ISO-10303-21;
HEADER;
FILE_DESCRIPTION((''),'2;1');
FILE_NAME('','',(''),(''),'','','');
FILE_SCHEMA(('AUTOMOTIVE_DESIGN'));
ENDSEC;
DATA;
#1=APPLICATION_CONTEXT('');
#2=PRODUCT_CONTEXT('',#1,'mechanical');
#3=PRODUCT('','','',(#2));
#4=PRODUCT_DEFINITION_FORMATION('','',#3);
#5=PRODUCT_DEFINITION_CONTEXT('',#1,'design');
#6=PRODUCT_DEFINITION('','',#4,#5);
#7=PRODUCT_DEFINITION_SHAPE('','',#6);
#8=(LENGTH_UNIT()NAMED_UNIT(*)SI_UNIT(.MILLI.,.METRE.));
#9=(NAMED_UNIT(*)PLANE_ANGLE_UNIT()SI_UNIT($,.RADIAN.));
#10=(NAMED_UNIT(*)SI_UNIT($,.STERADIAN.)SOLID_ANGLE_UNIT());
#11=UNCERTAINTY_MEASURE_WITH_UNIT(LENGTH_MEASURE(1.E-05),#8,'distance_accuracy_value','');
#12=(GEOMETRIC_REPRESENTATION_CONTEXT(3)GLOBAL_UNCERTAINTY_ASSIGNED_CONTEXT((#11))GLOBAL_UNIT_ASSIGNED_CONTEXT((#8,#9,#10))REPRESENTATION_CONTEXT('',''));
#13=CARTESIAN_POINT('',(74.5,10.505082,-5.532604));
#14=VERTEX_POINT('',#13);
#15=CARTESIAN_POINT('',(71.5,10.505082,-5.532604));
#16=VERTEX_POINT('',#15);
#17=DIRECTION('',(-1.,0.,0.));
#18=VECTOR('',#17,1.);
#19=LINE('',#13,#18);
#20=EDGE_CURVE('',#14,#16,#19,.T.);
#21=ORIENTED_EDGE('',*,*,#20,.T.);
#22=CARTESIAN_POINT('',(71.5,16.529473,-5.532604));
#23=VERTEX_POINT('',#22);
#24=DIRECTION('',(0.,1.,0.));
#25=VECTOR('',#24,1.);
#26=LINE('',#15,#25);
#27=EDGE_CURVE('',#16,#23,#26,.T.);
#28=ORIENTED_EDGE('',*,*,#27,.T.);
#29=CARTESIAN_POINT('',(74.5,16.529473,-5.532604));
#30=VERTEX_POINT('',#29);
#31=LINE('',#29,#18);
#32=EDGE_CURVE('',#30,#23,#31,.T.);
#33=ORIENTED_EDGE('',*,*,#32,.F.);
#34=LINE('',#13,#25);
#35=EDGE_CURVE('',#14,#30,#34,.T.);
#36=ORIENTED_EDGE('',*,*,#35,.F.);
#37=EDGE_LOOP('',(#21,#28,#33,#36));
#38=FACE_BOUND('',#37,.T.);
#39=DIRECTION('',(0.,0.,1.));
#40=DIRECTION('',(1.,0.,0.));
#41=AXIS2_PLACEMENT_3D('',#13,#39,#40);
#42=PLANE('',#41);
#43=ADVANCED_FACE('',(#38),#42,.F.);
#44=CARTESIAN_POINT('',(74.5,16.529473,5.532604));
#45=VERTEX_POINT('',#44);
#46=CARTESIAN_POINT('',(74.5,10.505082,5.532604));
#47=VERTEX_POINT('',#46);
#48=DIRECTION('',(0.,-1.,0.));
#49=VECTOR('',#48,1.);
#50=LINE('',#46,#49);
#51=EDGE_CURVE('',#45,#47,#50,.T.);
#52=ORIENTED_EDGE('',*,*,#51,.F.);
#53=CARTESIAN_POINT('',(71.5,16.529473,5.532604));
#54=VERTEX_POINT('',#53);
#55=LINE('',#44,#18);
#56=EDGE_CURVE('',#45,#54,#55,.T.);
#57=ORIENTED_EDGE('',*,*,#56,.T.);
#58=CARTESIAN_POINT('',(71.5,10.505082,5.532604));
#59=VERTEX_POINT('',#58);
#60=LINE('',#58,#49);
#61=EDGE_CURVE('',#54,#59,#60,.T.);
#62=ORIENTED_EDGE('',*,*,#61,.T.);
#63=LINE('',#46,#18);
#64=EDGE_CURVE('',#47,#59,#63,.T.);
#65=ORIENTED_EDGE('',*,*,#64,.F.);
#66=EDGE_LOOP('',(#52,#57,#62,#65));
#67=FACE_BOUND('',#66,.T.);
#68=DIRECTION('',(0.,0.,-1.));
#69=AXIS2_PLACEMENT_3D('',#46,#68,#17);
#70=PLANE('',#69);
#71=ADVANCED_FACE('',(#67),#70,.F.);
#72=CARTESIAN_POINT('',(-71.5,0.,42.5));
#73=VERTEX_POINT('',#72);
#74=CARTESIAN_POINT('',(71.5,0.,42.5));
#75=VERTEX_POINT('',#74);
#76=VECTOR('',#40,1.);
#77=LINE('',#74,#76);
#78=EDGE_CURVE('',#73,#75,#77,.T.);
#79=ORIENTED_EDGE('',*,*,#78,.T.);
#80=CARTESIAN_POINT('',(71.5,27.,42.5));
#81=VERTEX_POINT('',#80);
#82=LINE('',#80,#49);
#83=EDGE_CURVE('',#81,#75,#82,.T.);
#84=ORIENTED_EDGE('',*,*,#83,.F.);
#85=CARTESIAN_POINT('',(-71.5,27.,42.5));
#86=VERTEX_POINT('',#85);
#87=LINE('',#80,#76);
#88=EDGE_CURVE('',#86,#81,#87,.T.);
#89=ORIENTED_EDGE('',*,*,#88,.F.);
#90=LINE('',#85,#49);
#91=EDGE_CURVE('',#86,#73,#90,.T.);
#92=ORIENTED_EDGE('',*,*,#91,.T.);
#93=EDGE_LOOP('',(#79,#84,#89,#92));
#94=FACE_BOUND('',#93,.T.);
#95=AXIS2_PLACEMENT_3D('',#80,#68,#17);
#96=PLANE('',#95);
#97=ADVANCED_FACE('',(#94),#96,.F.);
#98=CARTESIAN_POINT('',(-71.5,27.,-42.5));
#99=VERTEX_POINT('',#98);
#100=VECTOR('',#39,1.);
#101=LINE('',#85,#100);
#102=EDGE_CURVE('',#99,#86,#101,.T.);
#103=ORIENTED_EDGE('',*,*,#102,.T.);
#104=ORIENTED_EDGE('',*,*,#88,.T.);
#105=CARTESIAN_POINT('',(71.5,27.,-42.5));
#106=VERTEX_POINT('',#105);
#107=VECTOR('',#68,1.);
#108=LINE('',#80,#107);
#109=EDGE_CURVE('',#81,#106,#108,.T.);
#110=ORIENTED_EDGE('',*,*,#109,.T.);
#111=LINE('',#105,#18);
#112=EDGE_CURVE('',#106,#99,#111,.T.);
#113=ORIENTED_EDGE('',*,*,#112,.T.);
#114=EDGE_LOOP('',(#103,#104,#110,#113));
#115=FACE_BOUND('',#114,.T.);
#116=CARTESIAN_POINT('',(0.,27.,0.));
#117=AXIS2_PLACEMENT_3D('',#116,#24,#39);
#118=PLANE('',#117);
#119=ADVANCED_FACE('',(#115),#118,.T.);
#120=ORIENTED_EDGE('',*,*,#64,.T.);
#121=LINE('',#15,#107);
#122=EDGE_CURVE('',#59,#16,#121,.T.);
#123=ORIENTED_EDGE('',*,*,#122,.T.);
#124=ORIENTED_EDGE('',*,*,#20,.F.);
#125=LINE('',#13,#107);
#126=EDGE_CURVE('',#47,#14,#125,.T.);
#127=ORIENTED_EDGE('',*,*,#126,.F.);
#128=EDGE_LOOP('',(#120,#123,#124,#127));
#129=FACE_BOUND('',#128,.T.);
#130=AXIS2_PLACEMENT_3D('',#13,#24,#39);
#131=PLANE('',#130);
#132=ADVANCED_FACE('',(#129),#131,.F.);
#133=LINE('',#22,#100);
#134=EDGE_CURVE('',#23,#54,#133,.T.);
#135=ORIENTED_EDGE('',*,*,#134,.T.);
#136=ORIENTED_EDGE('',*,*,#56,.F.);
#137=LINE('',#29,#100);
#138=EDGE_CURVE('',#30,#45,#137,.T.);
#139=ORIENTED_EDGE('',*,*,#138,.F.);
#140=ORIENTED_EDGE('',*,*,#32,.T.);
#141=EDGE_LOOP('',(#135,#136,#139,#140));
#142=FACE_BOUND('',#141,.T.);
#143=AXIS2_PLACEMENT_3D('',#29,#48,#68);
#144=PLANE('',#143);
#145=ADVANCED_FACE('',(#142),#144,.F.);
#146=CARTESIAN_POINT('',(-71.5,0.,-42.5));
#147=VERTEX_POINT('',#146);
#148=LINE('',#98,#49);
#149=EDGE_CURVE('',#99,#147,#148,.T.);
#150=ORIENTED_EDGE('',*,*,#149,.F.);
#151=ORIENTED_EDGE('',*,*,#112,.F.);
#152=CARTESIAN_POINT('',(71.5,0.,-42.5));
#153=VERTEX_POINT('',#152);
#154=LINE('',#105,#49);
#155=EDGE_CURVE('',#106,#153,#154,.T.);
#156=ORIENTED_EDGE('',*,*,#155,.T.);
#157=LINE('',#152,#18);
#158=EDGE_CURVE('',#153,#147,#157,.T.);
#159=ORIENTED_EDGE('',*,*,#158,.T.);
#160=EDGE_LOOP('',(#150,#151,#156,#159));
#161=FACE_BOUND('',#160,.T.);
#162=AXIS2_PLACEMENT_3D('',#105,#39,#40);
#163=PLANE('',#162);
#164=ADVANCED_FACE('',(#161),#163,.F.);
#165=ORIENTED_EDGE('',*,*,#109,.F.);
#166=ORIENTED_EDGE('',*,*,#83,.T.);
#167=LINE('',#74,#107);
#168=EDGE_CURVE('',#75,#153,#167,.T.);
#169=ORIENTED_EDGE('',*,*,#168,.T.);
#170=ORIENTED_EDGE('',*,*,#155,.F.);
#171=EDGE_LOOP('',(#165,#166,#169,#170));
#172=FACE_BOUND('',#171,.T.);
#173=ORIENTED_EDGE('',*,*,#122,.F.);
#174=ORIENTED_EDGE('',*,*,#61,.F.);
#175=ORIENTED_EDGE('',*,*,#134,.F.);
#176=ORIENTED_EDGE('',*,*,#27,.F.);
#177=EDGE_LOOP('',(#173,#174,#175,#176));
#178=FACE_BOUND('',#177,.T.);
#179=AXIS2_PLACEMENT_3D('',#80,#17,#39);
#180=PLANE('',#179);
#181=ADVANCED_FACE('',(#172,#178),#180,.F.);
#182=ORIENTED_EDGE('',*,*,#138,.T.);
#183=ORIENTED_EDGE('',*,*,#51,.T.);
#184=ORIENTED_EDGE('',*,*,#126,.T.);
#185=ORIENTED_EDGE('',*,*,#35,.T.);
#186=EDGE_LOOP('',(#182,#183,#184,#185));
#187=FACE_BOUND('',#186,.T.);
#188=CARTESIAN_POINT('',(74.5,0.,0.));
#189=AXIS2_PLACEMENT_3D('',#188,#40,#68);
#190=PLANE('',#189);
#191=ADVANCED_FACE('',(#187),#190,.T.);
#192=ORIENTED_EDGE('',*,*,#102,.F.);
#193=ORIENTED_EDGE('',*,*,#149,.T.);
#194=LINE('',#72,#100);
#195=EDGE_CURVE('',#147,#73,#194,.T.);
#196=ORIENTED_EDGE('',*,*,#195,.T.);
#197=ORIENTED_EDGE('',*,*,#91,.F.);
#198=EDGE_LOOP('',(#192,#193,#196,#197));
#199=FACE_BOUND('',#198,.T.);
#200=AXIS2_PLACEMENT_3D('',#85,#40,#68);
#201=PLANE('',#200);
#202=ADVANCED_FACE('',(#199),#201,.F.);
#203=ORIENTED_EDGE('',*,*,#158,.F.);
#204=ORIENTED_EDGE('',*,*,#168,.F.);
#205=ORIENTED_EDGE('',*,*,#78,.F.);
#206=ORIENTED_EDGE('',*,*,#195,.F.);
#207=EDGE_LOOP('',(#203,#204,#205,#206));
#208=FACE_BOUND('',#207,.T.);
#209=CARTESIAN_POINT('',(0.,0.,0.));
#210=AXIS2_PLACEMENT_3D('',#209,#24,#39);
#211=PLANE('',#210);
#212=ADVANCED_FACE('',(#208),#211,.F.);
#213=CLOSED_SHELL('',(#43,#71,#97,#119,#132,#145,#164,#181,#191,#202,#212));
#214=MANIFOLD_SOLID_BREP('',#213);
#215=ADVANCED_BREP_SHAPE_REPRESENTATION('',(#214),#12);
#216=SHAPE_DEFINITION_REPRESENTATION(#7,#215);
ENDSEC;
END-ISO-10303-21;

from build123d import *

# Parameters (mm, degrees)
SKETCH1_W           = 143
SKETCH1_H           = 85
BOSS_EXTRUDE1_DEPTH = 27
SKETCH2_W           = 11.06520749
SKETCH2_H           = 6.024390745
BOSS_EXTRUDE2_DEPTH = 3


with BuildPart() as part:
    # Sketch1 → Boss-Extrude1 (new body)
    with BuildSketch(Plane(origin=(0, 0, 0), x_dir=(1, 0, 0), z_dir=(0, 1, 0))):
        Rectangle(SKETCH1_W, SKETCH1_H)
    extrude(amount=BOSS_EXTRUDE1_DEPTH)

    # Sketch2 → Boss-Extrude2 (add)
    with BuildSketch(Plane(origin=(71.5, 0, 0), x_dir=(0, 0, -1), z_dir=(1, 0, 0))):
        with Locations((0, 13.517277192)):
            Rectangle(SKETCH2_W, SKETCH2_H)
    extrude(amount=BOSS_EXTRUDE2_DEPTH)


solid = part.part
